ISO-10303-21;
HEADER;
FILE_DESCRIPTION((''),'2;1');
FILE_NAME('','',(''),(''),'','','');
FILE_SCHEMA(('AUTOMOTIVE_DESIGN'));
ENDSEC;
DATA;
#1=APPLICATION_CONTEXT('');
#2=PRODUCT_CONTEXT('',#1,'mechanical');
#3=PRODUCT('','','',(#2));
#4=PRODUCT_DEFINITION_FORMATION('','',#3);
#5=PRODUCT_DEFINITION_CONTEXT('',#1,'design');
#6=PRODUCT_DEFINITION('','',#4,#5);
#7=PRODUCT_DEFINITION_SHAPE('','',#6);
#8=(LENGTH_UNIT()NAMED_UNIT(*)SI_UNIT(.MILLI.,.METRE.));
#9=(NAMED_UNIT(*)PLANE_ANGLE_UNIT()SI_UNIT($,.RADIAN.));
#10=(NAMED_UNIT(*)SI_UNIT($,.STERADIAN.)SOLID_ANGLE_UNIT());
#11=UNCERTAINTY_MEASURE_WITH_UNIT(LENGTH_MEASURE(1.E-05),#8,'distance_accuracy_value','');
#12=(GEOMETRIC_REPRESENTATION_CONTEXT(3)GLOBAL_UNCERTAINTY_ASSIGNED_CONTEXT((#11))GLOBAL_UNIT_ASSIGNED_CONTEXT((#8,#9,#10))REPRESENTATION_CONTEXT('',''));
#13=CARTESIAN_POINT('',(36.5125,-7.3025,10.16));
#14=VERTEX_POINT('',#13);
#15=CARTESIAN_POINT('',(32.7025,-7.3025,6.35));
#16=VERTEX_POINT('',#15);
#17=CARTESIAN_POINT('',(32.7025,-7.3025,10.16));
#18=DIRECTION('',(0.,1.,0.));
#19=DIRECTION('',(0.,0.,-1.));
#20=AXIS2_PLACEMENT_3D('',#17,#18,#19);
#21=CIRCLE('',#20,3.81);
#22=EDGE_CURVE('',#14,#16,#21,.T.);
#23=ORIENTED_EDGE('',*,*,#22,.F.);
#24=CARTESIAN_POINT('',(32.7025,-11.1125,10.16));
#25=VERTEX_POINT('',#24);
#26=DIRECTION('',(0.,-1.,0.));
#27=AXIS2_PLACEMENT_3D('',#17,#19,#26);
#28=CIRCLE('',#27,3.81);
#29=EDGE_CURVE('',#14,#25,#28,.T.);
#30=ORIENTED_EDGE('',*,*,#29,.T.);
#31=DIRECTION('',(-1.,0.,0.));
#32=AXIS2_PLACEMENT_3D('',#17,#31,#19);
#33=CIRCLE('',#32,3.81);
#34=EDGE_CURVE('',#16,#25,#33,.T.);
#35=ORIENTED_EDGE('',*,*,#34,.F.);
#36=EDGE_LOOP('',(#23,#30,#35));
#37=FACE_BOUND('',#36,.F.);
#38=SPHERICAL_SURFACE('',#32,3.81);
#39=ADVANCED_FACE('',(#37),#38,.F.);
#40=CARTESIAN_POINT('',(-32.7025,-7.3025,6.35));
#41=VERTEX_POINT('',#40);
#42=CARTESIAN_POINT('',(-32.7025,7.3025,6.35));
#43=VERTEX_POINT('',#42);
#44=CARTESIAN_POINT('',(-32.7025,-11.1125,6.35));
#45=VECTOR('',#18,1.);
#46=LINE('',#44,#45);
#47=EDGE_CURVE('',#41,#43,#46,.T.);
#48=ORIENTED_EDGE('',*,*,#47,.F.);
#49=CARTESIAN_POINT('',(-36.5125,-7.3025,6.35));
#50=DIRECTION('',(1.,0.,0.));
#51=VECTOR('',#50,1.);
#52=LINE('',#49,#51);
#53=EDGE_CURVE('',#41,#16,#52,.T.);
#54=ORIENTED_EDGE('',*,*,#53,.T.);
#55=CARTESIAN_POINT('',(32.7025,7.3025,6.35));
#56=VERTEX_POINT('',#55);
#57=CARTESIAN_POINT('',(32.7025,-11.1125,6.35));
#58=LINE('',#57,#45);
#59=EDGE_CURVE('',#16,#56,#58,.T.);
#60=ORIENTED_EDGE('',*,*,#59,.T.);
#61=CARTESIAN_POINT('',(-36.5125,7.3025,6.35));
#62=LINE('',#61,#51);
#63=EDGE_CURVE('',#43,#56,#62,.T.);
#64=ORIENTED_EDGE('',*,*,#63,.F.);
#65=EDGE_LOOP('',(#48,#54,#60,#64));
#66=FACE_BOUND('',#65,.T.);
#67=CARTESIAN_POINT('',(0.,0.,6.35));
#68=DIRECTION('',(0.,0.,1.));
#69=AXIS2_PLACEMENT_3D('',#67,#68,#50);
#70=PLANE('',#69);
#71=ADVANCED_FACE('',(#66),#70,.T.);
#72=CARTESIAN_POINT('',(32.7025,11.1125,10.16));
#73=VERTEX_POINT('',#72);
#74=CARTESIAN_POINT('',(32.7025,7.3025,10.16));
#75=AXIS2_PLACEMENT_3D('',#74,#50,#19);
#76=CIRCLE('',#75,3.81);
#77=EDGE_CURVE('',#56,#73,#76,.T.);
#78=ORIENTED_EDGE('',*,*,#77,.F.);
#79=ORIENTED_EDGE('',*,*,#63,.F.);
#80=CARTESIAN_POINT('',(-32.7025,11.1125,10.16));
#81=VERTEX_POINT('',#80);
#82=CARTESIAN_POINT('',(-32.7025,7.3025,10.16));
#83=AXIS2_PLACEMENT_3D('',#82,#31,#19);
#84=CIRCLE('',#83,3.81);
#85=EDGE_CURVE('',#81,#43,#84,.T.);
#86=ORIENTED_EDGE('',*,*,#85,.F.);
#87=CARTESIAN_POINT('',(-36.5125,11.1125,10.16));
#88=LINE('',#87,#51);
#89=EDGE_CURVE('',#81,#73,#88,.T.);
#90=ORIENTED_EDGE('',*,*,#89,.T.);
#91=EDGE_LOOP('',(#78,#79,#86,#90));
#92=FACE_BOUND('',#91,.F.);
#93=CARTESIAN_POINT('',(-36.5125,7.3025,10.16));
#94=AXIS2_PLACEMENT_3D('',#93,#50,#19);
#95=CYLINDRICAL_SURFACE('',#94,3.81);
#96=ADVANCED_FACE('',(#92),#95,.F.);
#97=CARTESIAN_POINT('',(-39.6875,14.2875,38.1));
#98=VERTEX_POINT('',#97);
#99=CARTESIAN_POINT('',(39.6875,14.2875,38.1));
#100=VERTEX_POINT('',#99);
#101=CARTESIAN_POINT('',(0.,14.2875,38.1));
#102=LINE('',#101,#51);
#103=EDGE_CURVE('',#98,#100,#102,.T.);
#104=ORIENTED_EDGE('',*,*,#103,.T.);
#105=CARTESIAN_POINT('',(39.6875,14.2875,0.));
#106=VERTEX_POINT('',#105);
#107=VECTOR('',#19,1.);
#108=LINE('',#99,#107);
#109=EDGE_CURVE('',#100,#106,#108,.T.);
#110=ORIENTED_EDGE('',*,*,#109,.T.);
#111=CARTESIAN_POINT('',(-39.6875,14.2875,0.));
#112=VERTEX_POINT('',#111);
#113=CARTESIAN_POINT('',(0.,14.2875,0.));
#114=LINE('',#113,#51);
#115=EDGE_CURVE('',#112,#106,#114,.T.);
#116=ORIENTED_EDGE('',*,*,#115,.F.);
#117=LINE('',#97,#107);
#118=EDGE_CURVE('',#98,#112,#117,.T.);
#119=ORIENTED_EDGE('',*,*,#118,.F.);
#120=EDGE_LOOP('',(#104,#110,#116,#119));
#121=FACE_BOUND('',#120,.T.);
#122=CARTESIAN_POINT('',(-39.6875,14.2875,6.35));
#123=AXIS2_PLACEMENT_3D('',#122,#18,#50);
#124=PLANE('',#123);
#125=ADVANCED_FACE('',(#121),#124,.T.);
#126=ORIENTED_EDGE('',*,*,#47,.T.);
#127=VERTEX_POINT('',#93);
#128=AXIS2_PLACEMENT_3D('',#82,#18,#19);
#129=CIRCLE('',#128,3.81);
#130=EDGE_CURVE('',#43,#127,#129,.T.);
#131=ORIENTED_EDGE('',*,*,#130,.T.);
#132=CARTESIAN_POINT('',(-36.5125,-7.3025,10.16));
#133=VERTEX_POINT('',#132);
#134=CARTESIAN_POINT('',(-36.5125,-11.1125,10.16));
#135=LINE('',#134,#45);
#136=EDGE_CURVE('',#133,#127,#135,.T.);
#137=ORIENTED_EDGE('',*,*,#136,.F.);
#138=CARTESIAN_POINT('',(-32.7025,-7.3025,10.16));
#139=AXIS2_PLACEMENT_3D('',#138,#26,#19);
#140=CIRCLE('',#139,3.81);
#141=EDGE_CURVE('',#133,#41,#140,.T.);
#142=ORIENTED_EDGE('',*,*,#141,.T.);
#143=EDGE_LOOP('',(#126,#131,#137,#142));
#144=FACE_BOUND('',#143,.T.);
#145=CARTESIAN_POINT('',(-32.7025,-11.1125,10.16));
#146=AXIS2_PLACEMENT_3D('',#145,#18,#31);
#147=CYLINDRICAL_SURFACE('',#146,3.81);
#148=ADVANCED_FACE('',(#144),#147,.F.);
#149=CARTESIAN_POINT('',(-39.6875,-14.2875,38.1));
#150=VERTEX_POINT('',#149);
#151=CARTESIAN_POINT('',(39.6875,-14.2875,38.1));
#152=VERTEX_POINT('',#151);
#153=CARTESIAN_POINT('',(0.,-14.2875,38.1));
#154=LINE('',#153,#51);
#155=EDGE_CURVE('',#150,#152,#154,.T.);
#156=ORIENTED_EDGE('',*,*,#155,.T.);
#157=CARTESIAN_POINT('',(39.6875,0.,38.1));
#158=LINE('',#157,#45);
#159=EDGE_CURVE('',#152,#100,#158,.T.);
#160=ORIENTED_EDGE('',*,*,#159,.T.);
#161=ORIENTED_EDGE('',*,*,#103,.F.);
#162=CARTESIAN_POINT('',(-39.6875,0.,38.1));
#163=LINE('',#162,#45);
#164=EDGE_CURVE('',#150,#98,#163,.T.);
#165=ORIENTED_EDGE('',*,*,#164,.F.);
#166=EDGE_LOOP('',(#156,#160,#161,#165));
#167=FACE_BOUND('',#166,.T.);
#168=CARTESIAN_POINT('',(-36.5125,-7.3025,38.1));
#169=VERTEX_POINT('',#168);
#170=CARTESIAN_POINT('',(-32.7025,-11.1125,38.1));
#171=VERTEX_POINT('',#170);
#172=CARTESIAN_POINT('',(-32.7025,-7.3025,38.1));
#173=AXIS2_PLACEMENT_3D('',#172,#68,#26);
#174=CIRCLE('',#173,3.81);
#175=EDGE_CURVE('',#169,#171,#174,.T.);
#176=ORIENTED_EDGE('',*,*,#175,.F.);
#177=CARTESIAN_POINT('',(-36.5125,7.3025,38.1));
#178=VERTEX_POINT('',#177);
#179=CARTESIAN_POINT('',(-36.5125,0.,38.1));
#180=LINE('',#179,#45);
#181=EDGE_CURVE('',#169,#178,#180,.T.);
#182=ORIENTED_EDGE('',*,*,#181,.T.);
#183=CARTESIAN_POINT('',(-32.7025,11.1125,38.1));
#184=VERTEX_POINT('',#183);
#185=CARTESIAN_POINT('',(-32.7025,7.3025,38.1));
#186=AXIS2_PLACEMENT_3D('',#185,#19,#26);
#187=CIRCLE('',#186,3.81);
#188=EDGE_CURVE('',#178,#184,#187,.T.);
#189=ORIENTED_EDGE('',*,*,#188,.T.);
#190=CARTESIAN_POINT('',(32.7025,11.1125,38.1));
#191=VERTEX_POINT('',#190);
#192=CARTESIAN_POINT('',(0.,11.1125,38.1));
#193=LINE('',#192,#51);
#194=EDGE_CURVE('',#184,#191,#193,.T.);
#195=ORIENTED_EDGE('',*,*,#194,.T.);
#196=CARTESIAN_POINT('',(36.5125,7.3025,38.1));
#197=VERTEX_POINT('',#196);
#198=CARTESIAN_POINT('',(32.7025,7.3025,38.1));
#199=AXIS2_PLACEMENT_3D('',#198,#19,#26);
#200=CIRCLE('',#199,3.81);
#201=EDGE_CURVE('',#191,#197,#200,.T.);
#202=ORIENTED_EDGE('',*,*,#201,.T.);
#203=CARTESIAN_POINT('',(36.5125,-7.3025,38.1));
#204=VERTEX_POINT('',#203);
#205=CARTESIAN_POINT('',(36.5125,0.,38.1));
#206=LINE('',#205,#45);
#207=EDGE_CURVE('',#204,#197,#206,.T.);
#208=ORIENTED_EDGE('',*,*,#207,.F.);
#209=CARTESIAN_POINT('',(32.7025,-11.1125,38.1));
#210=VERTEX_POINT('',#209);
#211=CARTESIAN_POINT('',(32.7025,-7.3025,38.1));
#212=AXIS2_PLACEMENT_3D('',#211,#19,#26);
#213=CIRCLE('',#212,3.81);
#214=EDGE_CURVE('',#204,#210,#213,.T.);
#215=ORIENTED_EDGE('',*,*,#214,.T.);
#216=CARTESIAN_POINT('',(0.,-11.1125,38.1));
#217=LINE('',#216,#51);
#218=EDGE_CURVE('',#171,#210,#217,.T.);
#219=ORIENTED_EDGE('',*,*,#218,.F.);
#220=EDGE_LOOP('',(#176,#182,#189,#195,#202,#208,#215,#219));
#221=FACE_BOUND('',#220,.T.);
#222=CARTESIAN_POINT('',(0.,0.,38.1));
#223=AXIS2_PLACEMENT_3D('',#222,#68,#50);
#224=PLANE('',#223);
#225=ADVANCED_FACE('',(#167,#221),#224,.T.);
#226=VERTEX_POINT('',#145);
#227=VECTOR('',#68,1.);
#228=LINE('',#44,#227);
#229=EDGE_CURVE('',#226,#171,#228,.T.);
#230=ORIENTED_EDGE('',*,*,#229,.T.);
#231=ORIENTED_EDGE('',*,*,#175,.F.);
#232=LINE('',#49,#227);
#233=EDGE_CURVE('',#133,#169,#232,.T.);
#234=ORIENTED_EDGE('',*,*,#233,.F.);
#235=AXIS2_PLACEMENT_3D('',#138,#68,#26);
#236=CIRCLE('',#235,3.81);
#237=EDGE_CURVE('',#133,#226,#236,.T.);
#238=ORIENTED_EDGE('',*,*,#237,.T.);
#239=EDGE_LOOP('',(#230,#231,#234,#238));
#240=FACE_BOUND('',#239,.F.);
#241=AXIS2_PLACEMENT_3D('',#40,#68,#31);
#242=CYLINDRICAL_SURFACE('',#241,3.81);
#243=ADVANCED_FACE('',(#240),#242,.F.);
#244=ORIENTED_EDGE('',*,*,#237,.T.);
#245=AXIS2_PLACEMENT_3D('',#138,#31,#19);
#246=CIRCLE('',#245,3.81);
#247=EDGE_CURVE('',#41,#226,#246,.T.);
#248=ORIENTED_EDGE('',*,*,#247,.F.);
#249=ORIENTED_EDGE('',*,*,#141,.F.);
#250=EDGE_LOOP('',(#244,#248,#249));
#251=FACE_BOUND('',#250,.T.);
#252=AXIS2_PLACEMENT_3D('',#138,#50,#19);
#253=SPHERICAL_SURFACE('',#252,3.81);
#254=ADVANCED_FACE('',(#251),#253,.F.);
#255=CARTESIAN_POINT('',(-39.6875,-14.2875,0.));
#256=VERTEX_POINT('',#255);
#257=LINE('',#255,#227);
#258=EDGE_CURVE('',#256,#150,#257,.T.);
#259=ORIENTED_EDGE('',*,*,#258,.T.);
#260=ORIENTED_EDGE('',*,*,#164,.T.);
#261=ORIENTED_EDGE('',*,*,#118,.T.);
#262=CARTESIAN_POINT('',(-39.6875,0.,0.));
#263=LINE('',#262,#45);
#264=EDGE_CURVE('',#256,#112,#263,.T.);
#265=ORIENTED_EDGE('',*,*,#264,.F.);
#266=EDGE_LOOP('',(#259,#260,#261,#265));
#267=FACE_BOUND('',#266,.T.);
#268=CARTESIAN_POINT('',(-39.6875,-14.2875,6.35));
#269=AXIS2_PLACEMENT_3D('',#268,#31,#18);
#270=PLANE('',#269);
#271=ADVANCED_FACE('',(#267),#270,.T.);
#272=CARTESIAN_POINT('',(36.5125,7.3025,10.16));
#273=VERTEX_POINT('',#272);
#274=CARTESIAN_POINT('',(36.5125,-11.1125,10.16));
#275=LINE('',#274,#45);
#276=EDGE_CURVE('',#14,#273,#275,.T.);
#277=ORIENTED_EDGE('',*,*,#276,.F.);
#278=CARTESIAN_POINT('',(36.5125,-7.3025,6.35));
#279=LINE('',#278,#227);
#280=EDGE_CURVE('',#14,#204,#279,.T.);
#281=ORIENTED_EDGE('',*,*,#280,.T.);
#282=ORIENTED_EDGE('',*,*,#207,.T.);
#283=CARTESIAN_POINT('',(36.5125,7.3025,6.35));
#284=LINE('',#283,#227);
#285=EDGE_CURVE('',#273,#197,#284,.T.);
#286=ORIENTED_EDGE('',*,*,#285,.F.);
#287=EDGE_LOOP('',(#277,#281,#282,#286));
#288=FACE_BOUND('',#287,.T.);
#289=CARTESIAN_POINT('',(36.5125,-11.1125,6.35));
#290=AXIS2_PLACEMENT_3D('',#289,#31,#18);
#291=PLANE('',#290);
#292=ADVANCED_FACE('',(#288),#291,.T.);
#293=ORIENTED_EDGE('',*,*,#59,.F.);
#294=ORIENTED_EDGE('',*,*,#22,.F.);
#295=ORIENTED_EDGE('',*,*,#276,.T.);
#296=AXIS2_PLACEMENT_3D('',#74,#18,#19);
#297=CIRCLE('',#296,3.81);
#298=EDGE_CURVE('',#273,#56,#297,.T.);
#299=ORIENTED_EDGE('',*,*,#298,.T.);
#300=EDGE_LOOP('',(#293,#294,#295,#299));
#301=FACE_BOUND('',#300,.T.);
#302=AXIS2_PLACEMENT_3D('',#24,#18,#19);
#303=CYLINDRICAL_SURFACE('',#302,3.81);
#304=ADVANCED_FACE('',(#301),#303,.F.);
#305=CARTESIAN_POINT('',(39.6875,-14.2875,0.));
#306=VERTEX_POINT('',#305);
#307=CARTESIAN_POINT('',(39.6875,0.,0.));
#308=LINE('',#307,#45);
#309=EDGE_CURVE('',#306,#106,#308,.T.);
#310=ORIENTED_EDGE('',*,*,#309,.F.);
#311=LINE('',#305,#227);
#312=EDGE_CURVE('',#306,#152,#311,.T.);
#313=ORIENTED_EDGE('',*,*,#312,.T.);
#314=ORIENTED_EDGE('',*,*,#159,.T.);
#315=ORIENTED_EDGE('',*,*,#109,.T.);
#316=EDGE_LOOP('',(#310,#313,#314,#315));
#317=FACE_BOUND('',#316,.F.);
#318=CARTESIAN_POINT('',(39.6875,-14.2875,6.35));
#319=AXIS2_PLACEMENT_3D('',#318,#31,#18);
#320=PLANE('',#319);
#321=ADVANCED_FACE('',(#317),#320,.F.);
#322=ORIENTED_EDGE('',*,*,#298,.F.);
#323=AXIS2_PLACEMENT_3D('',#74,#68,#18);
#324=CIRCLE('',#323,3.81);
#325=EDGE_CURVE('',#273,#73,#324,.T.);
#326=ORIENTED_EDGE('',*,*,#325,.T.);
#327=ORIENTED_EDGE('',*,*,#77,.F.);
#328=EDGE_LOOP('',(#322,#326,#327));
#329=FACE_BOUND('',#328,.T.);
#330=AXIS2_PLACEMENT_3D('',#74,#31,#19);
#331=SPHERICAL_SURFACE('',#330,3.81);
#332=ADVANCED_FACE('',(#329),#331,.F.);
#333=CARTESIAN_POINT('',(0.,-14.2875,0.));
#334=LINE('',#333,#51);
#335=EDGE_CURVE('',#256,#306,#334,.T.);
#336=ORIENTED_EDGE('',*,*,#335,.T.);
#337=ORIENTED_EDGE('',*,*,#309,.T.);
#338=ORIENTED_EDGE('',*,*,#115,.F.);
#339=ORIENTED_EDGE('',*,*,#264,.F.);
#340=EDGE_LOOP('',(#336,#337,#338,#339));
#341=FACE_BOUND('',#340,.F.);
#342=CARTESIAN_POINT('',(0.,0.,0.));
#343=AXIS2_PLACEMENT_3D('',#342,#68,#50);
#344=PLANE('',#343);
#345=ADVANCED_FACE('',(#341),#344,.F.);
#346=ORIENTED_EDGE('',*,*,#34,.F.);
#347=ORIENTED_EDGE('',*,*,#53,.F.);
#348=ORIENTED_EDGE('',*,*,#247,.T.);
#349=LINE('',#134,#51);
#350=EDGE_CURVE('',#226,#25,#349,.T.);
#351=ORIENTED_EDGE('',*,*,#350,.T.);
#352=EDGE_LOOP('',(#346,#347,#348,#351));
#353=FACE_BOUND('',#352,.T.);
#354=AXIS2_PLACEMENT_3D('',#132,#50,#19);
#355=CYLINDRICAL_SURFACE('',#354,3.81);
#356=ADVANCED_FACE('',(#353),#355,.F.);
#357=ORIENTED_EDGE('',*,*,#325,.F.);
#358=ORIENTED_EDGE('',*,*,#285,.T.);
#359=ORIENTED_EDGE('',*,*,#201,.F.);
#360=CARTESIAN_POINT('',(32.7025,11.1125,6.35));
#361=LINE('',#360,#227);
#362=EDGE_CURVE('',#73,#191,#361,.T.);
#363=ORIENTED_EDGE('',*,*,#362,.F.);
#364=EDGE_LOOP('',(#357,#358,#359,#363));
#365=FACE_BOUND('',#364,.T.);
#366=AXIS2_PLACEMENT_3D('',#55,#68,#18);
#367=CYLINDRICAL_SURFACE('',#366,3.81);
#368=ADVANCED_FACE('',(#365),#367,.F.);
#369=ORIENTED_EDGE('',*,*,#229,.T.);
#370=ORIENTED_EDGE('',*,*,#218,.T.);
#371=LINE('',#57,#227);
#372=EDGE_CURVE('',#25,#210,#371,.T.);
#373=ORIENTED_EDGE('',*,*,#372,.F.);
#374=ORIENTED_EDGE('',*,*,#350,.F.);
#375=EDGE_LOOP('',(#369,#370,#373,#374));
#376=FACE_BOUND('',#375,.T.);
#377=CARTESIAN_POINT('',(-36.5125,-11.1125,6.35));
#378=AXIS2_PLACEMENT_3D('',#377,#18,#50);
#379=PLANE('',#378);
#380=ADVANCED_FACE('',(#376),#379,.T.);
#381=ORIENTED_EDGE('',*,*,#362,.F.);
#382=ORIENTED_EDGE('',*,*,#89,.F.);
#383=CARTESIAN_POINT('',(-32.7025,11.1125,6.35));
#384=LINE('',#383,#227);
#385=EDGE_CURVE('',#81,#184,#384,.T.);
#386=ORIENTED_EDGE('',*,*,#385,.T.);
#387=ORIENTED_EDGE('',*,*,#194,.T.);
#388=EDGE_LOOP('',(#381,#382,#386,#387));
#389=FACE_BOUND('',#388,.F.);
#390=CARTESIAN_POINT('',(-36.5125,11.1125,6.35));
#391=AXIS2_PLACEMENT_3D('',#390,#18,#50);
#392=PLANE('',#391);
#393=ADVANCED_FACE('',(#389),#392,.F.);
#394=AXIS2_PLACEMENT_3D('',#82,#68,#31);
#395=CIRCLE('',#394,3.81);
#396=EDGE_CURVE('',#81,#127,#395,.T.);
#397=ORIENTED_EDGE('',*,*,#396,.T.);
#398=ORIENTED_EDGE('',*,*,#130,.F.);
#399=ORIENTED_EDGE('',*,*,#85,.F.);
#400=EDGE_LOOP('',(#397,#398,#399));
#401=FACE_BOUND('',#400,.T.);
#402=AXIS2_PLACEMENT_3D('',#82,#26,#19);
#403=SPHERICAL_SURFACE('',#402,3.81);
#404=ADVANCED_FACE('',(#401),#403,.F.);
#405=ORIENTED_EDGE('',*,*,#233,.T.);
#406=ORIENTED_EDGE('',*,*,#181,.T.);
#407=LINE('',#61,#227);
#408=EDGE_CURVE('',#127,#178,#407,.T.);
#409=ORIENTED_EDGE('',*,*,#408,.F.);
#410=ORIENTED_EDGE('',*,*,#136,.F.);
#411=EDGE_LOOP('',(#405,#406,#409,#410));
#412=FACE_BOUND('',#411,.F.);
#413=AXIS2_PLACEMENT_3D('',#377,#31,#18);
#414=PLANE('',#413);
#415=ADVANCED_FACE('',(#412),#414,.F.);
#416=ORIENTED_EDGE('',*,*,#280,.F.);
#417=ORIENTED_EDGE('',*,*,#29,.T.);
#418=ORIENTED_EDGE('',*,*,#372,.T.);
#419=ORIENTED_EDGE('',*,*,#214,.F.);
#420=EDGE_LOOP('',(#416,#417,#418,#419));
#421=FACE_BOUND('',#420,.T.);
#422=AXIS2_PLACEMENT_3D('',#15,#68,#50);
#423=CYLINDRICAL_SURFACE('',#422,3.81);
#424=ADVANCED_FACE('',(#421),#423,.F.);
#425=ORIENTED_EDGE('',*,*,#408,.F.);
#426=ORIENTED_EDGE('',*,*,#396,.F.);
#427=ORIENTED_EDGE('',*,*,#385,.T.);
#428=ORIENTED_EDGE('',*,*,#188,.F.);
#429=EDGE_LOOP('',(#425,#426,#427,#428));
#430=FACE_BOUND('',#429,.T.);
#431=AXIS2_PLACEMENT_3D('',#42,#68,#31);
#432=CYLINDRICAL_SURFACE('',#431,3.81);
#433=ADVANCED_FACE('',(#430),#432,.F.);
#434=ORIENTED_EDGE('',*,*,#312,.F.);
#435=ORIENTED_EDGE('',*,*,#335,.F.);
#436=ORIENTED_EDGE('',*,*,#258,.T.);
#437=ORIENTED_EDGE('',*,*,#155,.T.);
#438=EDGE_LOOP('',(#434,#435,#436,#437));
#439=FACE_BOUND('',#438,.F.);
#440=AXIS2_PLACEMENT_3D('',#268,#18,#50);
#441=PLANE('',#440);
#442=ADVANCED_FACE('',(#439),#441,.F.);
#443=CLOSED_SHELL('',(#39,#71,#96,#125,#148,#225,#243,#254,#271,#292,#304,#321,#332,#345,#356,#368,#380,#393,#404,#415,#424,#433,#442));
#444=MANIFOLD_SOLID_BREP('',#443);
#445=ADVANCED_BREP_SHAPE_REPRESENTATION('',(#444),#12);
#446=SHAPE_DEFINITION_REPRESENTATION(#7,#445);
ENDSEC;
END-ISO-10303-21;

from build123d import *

# Parameters (mm, degrees)
F0_W     = 79.375
F0_H     = 28.575
F1_DEPTH = 6.35
F2_W     = 79.375
F2_H     = 28.575
F2_W_2   = 73.025
F2_H_2   = 22.225
F3_DEPTH = 31.75
F4_R     = 3.81


with BuildPart() as f1:
    # F0 (on Top) → F1 (new body)
    with BuildSketch(Plane.XY):
        Rectangle(F0_W, F0_H)
    extrude(amount=F1_DEPTH)

    # F2 (on face) → F3 (join)
    with BuildSketch(Plane.XY.offset(6.35)):
        Rectangle(F2_W, F2_H)
        Rectangle(F2_W_2, F2_H_2, mode=Mode.SUBTRACT)
    extrude(amount=F3_DEPTH)

    # F4
    f4_edges = [f1.edges().sort_by_distance(p)[0] for p in [
        (0, -11.1125, 6.35),
        (-36.5125, 0, 6.35),
        (0, 11.1125, 6.35),
        (36.5125, 0, 6.35),
        (36.5125, 11.1125, 22.225),
        (36.5125, -11.1125, 22.225),
        (-36.5125, -11.1125, 22.225),
        (-36.5125, 11.1125, 22.225),
    ]]
    fillet(f4_edges, radius=F4_R)


solid = f1.part
